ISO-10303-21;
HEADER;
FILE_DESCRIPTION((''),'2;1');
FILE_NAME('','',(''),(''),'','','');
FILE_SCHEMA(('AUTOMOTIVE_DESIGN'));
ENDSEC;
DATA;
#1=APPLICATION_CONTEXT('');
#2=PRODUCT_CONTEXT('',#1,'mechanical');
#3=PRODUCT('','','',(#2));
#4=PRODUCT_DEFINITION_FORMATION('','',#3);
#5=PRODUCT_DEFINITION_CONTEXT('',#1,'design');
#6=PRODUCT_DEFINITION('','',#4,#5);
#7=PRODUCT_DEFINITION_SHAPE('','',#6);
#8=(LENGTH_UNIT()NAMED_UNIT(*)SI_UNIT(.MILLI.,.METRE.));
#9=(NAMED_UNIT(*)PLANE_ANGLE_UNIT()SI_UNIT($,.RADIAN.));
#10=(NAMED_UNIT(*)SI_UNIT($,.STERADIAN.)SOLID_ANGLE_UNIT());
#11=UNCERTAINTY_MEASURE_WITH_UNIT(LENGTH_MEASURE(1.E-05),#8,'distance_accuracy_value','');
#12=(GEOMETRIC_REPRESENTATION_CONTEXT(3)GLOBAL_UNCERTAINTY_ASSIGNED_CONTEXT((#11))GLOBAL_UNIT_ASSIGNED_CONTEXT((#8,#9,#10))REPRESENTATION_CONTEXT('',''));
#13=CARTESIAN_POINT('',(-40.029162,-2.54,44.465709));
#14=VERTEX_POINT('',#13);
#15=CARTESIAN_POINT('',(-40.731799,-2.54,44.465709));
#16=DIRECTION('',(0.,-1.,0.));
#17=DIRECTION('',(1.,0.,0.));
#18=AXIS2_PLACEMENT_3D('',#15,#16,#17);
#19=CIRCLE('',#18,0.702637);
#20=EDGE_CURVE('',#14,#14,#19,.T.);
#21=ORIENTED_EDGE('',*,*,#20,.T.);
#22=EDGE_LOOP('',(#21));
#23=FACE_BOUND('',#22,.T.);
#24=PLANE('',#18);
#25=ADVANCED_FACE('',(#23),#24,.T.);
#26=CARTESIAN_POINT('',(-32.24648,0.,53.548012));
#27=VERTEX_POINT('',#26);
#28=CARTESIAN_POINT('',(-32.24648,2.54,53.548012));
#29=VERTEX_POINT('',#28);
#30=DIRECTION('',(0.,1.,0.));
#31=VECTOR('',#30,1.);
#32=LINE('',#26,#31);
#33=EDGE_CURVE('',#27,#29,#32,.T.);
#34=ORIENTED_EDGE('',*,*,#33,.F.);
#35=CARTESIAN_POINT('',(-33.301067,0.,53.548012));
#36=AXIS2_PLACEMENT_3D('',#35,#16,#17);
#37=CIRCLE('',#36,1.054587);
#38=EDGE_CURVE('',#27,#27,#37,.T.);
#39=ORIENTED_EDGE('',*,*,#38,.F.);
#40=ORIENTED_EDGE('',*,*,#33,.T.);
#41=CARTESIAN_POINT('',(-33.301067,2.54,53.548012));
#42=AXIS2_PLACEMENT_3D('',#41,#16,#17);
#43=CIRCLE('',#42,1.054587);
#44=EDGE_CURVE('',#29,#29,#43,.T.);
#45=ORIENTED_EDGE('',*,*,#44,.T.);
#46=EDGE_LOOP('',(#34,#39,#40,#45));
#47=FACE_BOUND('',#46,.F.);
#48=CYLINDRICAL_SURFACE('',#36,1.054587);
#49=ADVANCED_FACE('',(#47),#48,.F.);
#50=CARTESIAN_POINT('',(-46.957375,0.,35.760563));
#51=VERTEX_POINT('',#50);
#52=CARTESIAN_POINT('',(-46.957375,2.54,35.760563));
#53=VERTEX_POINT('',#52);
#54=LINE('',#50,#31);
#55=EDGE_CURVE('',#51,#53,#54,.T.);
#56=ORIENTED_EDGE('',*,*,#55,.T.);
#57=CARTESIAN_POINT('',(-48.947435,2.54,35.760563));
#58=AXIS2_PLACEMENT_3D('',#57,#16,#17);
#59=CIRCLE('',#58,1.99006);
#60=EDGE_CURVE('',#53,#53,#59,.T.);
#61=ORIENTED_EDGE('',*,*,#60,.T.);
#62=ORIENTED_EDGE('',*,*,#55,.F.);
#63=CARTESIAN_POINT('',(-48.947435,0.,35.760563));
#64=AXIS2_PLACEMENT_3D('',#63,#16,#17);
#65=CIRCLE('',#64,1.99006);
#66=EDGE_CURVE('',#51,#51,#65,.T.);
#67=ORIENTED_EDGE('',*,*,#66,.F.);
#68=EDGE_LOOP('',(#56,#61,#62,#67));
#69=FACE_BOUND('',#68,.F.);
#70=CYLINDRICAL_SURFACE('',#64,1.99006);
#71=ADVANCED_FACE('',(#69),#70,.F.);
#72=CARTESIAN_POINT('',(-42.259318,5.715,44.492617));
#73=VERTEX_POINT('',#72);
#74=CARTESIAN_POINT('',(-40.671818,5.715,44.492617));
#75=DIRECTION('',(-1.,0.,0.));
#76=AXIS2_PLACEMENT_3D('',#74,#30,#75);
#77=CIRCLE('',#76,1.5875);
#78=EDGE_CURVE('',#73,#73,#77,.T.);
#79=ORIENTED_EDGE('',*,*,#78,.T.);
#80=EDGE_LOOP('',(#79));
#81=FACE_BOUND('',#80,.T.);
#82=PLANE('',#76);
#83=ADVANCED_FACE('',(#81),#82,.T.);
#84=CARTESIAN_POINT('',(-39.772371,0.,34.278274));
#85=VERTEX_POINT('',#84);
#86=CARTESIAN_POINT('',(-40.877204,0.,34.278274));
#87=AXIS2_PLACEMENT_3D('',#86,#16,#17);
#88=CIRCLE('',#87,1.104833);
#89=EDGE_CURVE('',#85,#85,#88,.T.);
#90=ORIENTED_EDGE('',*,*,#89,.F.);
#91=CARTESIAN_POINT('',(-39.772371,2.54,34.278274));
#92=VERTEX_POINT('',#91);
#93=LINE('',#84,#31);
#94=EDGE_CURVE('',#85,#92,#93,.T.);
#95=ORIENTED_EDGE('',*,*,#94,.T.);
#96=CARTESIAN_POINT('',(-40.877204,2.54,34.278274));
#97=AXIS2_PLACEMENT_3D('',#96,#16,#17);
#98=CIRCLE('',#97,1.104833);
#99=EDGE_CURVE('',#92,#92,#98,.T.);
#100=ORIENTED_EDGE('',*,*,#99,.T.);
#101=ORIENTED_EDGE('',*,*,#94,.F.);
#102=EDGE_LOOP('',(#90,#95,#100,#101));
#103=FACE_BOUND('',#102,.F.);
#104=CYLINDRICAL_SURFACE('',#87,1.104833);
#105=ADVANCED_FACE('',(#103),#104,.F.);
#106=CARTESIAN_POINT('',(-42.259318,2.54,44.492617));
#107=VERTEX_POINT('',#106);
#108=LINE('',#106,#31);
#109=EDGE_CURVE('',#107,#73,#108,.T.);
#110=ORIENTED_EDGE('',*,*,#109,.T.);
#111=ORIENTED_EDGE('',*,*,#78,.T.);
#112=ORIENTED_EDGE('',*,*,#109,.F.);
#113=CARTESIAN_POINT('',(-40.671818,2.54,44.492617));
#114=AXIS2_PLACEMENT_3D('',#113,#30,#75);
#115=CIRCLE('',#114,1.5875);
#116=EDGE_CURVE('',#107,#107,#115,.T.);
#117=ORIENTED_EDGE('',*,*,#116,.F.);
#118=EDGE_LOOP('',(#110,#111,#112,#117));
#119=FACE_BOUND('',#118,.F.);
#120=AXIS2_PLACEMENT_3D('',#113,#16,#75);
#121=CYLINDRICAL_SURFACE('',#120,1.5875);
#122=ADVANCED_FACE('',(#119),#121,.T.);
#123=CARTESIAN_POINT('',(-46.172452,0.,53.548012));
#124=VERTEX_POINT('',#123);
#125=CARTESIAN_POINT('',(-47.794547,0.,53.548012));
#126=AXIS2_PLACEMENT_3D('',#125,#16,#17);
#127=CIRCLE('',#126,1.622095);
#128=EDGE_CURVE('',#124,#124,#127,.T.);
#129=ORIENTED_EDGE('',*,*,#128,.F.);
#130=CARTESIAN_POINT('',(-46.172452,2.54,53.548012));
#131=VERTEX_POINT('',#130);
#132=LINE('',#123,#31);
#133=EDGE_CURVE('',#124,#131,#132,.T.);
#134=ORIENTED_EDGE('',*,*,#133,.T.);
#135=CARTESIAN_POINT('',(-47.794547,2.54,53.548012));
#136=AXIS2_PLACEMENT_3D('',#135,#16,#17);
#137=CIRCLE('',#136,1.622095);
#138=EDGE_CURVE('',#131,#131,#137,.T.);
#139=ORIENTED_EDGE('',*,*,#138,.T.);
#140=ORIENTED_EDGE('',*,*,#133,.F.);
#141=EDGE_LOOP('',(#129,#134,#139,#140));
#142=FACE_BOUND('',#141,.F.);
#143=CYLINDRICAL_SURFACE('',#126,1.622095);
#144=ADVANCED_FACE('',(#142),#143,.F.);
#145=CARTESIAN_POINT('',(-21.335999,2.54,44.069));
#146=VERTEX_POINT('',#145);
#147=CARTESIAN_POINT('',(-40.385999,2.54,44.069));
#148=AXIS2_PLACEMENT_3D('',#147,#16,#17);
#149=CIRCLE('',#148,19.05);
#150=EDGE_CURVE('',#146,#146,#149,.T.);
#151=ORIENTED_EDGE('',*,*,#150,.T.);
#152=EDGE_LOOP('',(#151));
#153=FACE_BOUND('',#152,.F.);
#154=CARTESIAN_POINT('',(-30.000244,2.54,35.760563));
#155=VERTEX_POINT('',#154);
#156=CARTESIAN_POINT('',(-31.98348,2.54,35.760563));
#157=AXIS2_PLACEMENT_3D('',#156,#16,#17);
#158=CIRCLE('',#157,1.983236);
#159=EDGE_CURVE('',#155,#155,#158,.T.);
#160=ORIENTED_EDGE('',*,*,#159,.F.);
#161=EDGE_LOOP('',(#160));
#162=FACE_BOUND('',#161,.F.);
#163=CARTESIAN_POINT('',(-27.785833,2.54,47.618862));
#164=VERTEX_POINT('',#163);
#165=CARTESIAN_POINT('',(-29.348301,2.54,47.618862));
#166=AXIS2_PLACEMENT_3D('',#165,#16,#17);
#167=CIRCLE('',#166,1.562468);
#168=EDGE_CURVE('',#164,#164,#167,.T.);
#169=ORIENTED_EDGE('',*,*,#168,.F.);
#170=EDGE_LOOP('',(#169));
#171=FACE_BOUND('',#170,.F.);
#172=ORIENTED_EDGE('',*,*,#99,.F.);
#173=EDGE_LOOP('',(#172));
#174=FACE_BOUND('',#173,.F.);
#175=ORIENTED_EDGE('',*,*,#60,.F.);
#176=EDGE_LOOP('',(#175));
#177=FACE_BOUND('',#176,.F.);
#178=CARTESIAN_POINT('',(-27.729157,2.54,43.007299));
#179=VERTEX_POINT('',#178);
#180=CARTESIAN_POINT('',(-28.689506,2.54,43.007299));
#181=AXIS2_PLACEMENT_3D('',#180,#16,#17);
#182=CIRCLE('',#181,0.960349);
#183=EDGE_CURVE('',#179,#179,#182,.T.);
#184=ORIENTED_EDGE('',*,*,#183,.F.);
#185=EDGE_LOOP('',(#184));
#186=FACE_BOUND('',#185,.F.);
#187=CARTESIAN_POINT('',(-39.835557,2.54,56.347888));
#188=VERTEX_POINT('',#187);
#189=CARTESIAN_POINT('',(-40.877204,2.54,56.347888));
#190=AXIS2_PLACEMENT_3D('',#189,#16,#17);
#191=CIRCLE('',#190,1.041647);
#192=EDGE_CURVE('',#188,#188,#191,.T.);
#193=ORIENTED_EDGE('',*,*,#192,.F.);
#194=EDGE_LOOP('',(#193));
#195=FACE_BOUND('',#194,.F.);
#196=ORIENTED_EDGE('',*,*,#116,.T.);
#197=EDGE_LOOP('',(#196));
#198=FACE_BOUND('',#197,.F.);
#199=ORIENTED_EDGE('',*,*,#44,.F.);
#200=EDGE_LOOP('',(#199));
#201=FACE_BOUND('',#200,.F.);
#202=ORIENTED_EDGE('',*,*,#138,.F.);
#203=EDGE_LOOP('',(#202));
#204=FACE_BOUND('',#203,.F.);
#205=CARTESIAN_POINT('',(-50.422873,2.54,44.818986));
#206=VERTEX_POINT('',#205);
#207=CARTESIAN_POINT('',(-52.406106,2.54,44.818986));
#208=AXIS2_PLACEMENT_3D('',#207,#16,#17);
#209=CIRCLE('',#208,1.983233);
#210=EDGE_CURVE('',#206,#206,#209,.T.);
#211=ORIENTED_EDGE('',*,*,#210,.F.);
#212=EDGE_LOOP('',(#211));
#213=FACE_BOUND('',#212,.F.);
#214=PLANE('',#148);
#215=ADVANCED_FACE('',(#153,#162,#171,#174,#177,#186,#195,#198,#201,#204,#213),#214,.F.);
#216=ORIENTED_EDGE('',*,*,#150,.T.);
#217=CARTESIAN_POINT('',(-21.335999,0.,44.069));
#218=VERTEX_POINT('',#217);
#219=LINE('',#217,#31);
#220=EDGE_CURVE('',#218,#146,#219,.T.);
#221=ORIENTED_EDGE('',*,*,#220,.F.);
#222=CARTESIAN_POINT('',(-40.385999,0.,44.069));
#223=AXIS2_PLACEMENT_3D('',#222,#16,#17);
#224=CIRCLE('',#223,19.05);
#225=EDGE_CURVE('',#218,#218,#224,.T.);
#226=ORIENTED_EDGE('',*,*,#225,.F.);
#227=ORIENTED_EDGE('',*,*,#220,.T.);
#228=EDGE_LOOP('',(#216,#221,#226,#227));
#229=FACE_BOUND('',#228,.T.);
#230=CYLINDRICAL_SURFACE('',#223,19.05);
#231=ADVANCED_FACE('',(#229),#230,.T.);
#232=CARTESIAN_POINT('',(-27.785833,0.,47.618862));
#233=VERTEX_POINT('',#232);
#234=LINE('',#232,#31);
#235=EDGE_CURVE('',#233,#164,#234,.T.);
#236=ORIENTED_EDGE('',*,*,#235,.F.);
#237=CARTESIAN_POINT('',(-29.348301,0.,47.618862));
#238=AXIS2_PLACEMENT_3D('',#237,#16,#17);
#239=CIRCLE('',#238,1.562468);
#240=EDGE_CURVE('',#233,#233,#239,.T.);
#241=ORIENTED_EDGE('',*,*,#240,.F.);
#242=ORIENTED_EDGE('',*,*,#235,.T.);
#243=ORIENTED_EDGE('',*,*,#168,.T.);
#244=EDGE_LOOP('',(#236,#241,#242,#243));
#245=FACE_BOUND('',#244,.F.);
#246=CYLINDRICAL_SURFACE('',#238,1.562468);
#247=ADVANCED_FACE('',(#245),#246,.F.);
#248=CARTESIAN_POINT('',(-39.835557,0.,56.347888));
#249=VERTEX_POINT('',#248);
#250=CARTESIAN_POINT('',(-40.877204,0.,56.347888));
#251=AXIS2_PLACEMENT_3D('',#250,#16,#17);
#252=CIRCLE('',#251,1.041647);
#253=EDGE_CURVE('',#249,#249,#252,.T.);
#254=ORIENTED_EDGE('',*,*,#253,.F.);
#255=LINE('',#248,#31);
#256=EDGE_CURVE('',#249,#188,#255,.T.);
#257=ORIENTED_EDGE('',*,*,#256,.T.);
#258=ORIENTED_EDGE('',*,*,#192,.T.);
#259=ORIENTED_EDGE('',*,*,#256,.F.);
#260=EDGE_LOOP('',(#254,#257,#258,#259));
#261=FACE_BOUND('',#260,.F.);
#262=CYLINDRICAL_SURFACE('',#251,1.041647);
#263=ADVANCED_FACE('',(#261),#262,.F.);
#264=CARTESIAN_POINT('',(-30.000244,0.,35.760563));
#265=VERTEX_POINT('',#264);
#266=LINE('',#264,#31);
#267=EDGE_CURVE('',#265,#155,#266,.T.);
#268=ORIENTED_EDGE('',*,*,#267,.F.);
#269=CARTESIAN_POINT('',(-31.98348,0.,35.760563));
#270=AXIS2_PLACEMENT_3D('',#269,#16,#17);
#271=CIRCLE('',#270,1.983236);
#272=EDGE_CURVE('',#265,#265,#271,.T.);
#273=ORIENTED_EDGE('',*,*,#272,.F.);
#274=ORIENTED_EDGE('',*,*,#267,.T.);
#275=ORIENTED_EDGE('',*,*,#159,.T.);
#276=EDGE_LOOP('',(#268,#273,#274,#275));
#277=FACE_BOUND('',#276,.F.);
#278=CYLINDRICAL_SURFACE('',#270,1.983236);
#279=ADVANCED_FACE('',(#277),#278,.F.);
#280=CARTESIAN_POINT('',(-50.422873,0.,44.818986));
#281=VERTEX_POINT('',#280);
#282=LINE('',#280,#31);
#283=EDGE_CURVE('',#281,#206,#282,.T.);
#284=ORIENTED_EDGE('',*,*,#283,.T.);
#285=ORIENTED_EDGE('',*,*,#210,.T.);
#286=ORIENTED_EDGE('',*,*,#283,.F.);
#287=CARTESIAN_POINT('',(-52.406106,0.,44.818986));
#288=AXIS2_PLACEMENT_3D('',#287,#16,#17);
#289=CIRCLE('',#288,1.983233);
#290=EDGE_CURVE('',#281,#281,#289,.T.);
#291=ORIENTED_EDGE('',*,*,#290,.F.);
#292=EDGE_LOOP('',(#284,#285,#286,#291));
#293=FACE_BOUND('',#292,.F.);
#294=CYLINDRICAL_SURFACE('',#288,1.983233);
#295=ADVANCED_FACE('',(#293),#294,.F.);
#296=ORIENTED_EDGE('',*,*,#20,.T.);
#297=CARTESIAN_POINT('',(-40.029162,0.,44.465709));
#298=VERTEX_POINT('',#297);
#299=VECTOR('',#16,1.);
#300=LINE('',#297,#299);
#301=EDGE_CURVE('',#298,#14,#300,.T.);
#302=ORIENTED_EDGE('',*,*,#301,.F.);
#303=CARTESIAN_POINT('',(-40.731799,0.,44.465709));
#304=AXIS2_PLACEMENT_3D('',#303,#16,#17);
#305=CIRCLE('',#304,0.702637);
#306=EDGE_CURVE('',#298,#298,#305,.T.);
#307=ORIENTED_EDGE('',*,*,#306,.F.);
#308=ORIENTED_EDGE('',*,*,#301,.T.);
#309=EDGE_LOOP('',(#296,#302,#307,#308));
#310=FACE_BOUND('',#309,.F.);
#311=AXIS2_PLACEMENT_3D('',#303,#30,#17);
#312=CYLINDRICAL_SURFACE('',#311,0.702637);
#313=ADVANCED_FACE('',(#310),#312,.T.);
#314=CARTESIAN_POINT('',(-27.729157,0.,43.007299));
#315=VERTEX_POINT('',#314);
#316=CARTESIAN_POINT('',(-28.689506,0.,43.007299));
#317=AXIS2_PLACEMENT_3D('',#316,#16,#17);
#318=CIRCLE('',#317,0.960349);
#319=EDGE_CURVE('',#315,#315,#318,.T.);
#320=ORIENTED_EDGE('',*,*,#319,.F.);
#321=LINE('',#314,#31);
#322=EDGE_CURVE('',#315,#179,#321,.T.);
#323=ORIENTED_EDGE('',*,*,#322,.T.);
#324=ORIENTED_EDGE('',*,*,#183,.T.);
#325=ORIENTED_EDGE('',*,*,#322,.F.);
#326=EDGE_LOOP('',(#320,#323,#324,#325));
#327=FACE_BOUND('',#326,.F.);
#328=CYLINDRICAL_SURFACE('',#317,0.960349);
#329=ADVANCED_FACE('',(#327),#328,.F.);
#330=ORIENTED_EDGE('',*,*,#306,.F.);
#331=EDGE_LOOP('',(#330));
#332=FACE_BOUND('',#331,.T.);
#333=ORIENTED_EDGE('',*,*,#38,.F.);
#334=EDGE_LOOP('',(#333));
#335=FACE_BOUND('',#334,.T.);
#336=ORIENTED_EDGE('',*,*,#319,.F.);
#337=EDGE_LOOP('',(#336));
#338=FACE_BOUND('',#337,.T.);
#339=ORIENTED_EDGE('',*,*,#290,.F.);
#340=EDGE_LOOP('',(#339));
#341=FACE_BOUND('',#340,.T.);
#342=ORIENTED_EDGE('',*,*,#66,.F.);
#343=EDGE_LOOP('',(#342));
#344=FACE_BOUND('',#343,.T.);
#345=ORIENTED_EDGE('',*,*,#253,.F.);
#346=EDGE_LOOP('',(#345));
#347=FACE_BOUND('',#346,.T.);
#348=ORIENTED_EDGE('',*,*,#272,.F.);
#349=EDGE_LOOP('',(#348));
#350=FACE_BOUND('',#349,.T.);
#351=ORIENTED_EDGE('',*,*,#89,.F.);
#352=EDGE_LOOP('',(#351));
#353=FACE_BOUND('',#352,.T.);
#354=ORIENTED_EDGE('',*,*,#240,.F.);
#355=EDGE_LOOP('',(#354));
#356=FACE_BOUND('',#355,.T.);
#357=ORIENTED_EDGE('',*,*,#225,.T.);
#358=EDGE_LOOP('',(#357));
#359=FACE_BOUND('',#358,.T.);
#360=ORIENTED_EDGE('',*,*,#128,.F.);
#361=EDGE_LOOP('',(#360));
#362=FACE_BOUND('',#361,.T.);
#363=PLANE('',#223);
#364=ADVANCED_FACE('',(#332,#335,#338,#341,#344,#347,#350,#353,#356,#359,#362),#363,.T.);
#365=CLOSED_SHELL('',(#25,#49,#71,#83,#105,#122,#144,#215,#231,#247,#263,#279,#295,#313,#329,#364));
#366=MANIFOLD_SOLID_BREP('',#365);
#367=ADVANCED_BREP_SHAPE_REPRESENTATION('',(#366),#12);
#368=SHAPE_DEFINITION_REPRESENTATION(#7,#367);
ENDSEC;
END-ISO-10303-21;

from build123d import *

# Parameters (mm, degrees)
F0_R     = 19.05
F1_DEPTH = 2.54
F3_R     = 1.041647
F3_R_2   = 1.054587
F3_R_3   = 1.562468
F3_R_4   = 0.960349
F3_R_5   = 1.983236
F3_R_6   = 1.104833
F3_R_7   = 1.99006
F3_R_8   = 1.983233
F3_R_9   = 1.622095
F4_DEPTH = 25.4
F6_R     = 0.702637
F7_DEPTH = 2.54
F8_R     = 1.5875
F9_DEPTH = 3.175


with BuildPart() as f1:
    # F0 (on Front) → F1 (new body)
    with BuildSketch(Plane.XZ):
        with Locations((-40.385999, 44.069)):
            Circle(F0_R)
    extrude(amount=-F1_DEPTH)

    # F3 (on face) → F4 (cut)
    with BuildSketch(Plane.XZ):
        with Locations((-40.877204, 56.347888)):
            Circle(F3_R)
        with Locations((-33.301067, 53.548012)):
            Circle(F3_R_2)
        with Locations((-29.348301, 47.618862)):
            Circle(F3_R_3)
        with Locations((-28.689506, 43.007299)):
            Circle(F3_R_4)
        with Locations((-31.98348, 35.760563)):
            Circle(F3_R_5)
        with Locations((-40.877204, 34.278274)):
            Circle(F3_R_6)
        with Locations((-48.947435, 35.760563)):
            Circle(F3_R_7)
        with Locations((-52.406106, 44.818986)):
            Circle(F3_R_8)
        with Locations((-47.794547, 53.548012)):
            Circle(F3_R_9)
    extrude(amount=-F4_DEPTH, mode=Mode.SUBTRACT)

    # F6 (on face) → F7 (join)
    with BuildSketch(Plane.XZ):
        with Locations((-40.731799, 44.465709)):
            Circle(F6_R)
    extrude(amount=F7_DEPTH)

    # F8 (on face) → F9 (join)
    with BuildSketch(Plane(origin=(0, 2.54, 0), x_dir=(-1, 0, 0), z_dir=(0, 1, 0))):
        with Locations((40.671818, 44.492617)):
            Circle(F8_R)
    extrude(amount=F9_DEPTH)


solid = f1.part
